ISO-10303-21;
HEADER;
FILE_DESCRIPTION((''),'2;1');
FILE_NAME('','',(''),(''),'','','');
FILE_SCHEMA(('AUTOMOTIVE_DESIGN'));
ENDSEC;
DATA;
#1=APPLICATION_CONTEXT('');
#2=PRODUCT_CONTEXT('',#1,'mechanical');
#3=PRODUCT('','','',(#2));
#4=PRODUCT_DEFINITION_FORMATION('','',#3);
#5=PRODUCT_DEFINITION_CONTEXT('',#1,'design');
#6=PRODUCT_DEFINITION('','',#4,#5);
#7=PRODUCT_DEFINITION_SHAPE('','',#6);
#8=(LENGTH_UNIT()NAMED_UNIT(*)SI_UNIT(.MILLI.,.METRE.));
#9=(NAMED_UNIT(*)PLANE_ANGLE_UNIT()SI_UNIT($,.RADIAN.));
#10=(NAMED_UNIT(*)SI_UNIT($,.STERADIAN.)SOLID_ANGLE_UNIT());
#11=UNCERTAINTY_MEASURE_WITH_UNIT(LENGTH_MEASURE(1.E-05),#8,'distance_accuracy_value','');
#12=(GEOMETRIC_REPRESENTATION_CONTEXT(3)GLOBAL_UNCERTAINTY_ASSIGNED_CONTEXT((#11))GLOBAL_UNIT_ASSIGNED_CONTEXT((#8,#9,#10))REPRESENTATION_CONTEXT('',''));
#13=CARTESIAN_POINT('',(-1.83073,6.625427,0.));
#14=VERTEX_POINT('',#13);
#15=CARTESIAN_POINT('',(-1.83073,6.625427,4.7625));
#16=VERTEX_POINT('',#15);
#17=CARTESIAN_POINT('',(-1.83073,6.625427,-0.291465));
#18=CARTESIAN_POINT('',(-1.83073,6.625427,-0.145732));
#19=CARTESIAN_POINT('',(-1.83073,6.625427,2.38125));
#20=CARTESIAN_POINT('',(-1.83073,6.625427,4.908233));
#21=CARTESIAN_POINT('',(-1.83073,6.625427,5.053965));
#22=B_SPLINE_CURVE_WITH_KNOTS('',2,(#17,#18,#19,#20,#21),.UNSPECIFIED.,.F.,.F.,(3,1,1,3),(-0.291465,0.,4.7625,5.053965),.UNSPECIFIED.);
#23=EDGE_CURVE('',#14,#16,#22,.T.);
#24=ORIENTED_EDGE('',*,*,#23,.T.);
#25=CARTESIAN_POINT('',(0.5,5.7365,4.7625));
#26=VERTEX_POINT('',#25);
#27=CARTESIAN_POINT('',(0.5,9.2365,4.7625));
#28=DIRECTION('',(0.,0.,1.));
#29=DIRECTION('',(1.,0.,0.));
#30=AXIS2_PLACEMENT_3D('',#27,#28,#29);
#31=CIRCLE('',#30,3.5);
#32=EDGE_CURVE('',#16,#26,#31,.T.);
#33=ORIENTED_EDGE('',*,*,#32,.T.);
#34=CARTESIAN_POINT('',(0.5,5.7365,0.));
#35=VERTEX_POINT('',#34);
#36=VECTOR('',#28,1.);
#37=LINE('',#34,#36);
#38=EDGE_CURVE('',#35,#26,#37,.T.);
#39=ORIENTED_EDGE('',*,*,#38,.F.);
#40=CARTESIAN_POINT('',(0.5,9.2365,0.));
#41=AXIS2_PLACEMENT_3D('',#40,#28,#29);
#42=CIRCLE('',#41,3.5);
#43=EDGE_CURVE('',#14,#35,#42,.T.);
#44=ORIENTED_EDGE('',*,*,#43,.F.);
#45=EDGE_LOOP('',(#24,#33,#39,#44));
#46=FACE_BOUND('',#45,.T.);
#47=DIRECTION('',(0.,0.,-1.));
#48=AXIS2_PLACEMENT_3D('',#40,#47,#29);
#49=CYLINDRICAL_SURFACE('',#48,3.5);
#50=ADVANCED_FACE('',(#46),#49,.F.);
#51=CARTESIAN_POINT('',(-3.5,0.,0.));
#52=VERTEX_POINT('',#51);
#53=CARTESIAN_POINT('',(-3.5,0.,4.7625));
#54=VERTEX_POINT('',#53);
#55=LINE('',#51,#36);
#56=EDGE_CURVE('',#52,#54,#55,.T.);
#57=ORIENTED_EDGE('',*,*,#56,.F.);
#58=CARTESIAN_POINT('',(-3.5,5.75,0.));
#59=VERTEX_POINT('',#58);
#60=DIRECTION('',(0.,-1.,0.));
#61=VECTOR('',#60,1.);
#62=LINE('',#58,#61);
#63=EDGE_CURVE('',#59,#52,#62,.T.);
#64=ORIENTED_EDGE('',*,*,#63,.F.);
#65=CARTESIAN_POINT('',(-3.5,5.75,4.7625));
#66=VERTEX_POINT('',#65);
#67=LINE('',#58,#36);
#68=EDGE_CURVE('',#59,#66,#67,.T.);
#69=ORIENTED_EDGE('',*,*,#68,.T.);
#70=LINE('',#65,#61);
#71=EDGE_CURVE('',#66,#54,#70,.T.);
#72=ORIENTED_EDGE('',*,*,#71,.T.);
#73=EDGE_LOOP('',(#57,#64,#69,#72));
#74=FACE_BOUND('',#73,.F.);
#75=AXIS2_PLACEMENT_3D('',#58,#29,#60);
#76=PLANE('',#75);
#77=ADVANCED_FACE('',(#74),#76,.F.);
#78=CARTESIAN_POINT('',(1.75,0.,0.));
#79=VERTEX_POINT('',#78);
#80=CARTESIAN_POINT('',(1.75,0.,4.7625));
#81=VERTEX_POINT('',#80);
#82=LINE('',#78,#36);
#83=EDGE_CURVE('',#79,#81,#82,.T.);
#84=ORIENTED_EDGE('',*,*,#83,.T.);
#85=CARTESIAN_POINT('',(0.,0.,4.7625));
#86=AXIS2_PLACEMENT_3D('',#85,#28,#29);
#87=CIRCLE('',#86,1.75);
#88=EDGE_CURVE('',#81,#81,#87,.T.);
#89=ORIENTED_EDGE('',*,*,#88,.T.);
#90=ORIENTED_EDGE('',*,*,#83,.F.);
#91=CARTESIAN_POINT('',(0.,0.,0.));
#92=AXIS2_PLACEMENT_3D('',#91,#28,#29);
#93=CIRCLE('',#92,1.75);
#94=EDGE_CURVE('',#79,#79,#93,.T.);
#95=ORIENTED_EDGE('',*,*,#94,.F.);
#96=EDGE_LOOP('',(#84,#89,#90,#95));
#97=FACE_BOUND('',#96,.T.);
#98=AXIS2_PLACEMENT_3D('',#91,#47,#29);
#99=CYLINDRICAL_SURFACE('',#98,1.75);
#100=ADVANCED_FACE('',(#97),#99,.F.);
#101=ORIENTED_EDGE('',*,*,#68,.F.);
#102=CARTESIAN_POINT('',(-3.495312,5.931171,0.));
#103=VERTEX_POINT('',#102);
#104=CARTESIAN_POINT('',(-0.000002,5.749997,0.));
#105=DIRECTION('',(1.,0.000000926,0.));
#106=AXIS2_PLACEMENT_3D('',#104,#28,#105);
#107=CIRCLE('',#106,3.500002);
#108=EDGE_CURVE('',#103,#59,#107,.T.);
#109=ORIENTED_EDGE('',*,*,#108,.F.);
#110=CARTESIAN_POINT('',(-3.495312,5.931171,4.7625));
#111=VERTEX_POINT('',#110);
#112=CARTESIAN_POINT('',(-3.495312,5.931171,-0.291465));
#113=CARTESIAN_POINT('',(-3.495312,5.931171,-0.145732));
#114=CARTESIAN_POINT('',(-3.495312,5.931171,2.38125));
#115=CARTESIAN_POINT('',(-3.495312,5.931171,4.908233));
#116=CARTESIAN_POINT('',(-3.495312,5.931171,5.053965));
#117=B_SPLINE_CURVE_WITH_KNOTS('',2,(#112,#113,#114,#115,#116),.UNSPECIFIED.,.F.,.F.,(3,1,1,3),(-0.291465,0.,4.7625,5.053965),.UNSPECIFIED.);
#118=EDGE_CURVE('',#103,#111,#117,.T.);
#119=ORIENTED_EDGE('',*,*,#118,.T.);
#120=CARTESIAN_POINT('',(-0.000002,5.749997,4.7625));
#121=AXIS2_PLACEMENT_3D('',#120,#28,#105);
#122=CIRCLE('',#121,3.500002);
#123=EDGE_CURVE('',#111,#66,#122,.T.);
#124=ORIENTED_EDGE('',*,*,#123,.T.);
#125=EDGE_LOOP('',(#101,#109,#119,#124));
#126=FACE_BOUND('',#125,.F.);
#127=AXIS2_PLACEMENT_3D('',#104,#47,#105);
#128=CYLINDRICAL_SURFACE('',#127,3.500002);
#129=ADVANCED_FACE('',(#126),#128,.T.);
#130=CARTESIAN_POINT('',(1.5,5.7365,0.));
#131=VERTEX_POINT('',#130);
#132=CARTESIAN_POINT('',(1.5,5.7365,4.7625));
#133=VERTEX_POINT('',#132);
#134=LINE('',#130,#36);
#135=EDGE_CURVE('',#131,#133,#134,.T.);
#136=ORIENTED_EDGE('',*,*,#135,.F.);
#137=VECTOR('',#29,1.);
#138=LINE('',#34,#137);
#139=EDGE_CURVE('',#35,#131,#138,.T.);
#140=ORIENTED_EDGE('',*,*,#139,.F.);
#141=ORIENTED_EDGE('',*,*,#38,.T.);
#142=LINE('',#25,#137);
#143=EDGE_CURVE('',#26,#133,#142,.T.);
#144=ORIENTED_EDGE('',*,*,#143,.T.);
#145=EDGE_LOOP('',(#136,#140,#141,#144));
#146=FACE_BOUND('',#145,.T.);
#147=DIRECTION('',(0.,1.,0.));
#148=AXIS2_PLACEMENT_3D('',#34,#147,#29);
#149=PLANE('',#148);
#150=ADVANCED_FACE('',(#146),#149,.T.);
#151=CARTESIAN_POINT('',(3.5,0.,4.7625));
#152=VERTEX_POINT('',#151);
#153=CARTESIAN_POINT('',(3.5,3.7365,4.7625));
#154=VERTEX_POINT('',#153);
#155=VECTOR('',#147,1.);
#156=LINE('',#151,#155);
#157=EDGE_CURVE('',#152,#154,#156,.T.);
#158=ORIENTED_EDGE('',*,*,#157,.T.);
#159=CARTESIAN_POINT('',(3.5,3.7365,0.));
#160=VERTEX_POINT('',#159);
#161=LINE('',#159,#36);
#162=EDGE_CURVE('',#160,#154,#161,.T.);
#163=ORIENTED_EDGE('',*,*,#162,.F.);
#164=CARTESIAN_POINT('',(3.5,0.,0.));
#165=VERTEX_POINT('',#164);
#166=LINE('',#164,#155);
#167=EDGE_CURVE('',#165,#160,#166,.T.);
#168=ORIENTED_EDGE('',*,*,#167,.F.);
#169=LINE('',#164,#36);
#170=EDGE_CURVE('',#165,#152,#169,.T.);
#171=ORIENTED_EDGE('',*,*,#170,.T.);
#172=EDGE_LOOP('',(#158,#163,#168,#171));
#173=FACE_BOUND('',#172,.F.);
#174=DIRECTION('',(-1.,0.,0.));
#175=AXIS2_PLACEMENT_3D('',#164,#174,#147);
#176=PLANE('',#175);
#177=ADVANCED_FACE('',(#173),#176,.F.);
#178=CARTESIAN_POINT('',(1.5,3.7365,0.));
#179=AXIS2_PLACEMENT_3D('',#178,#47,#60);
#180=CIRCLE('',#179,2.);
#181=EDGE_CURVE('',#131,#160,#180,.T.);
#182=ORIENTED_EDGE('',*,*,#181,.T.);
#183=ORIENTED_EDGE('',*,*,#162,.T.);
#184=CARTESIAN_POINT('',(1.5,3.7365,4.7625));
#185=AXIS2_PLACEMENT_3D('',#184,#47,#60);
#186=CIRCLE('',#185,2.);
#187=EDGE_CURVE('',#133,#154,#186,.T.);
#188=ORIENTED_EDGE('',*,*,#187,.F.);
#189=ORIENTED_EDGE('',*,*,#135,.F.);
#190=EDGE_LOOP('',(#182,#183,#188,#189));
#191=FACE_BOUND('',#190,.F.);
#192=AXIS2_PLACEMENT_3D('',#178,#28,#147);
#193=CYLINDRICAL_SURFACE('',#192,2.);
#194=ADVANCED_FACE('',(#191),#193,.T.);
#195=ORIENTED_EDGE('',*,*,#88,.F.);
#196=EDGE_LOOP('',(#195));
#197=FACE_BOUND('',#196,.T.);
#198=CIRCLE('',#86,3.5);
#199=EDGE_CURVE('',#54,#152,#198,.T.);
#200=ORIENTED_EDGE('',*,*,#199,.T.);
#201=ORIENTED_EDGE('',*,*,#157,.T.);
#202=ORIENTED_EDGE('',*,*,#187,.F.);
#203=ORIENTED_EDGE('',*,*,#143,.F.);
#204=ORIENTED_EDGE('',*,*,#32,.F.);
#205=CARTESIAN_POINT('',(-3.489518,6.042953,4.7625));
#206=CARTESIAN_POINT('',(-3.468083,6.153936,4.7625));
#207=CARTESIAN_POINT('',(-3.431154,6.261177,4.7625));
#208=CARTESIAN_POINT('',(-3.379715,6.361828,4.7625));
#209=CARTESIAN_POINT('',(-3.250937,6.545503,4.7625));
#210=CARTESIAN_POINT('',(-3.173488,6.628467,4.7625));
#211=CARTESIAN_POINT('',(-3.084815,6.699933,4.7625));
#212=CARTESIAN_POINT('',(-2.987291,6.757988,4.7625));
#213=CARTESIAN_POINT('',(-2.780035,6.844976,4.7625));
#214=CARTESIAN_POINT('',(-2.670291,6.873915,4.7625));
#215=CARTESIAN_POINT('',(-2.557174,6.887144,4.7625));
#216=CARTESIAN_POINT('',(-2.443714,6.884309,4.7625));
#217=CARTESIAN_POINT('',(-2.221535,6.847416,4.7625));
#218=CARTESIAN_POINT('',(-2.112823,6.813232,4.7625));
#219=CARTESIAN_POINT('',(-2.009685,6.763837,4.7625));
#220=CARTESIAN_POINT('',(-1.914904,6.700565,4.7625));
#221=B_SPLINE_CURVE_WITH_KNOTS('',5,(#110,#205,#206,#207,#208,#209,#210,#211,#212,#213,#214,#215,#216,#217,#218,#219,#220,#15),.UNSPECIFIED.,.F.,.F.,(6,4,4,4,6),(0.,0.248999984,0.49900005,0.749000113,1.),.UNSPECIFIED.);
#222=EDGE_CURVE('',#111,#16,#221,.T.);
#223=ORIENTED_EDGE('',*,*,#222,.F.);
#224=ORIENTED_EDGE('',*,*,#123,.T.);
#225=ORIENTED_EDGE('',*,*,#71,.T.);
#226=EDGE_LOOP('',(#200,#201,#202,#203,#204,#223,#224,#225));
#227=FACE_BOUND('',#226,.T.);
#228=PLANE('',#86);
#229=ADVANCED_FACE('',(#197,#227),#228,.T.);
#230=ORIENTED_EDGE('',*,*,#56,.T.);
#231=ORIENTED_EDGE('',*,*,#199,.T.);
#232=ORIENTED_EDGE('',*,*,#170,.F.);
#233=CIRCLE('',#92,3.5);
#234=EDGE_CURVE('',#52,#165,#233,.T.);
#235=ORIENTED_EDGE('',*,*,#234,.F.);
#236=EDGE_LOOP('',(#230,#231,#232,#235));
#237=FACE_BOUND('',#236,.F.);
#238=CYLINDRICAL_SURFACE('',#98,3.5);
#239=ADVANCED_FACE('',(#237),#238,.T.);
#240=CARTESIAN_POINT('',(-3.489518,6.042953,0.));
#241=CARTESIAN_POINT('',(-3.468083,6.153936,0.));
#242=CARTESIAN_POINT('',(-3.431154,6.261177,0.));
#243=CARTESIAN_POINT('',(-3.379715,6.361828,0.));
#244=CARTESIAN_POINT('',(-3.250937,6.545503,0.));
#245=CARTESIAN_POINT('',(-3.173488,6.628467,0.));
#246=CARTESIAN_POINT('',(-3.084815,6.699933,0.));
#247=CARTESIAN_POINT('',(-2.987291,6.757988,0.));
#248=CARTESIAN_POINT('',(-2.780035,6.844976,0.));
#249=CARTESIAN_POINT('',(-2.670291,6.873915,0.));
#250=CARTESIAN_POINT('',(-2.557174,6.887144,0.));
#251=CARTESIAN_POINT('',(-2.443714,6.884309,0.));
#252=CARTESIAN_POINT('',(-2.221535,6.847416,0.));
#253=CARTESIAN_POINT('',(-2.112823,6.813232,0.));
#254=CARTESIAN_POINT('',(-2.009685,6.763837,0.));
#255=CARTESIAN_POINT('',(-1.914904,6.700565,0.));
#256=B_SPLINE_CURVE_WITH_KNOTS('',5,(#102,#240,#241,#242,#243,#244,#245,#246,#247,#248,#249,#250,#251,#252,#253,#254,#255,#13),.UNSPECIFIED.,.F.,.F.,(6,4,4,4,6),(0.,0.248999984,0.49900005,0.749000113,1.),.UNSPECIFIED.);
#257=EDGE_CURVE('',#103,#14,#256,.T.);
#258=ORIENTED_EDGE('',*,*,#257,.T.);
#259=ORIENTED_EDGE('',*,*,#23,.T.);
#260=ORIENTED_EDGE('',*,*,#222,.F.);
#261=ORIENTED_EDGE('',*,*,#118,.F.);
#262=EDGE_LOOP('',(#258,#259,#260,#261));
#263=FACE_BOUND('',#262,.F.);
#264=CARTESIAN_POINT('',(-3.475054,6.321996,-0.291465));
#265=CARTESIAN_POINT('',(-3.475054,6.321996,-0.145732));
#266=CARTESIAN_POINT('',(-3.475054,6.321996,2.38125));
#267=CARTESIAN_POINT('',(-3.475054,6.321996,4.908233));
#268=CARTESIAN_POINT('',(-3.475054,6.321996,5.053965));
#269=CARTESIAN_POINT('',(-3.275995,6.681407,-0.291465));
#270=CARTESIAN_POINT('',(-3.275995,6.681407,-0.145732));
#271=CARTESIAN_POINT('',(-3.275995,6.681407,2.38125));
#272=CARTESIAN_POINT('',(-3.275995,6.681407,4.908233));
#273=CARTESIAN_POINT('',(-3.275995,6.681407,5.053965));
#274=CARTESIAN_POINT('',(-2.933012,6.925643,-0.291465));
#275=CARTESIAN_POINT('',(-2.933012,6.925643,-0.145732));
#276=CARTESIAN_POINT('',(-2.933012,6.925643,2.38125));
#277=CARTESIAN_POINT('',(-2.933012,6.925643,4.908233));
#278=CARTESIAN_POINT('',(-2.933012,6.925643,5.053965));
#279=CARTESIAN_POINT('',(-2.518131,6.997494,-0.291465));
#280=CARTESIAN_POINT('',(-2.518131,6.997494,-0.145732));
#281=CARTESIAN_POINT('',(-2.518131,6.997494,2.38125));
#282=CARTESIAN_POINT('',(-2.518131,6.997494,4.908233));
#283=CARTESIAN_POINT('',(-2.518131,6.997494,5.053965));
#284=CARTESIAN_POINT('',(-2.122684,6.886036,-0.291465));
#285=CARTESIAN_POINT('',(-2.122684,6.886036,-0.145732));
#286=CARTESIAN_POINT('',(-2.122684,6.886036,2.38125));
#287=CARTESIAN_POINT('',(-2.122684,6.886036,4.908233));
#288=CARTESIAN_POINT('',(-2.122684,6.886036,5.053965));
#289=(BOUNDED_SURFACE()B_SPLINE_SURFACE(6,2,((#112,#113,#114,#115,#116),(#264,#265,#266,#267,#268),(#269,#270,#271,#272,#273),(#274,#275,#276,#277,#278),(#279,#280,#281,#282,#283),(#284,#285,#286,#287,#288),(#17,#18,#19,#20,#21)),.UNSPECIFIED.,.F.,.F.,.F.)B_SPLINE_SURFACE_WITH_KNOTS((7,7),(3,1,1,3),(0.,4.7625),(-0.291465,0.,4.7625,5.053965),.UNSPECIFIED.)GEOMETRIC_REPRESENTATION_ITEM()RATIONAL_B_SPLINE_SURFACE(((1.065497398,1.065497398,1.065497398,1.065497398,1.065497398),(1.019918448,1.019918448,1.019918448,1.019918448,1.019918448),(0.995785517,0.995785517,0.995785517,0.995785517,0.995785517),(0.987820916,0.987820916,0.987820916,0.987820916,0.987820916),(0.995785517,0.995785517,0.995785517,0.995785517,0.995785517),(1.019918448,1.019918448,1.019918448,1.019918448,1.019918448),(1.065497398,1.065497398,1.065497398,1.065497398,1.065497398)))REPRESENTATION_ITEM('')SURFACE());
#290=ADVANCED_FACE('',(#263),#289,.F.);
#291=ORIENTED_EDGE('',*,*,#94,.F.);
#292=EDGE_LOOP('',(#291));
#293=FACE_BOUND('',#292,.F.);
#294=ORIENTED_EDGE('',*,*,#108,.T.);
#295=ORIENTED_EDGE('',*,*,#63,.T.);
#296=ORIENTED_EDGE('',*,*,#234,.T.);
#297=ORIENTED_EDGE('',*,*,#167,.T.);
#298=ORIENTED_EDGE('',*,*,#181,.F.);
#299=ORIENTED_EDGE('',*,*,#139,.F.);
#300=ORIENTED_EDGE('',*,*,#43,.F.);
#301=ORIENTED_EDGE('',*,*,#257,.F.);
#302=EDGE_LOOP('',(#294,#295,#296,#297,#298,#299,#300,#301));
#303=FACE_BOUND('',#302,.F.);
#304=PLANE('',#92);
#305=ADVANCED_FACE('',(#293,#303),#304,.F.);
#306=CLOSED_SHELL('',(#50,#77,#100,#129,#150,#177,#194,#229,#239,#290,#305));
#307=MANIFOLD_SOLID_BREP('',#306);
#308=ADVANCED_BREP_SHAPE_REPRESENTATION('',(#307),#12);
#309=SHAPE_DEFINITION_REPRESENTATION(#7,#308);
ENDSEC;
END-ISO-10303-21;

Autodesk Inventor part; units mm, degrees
ref_plane "YZ Plane" through (0, 0, 0) normal (1, 0, 0) x (0, 1, 0)
ref_plane "XZ Plane" through (0, 0, 0) normal (0, 1, 0) x (-1, 0, 0)
ref_plane "XY Plane" through (0, 0, 0) normal (0, 0, 1) x (1, 0, 0)
sketch "Sketch1" plane through (0, 0, 0) normal (0, 0, 1) x (1, 0, 0)
  circle A0 centre (0, 0) radius 1.75
  circle A1 centre (0, 0) radius 3.5
  circle A2 centre (0, 0) radius 5.75 construction
  line L0 (0, 0) -> (0, 5.75) construction
  circle A3 centre (0.5, 9.2365) radius 3.5
  line L1 (0, 0) -> (0, 5.75) construction
  line L2 (3.5, 0) -> (3.5, 5.75)
  line L3 (-3.5, 5.75) -> (-3.5, 0)
  arc A4 (-3.5, 0) -> (3.5, 0) centre (0, 0) ccw
  arc A5 (3.5, 5.75) -> (-1.9961, 2.875) centre (0, 5.75) ccw
  arc A6 (-3.4062, 0.805) -> (-3.4062, 4.945) centre (-12.1649, 2.875) ccw
  line L4 (0.5, 5.7365) -> (3.5, 5.7365)
  point P0 (0, 2.875)
  point P1 (-3.4345, 6.424)
  point P2 (3.5, 0)
  point P3 (3.244, 7.0639)
  point P4 (-3.5, 0)
  point P5 (-2.744, 7.9226)
  dimension "d2" = 11.5
  dimension "d3" = 7
  dimension "d0" = 3.5
  dimension "d1" = 7
  dimension "d4" = 3.5
  dimension "d9" = 0.5
  dimension "d10" = 9
extrude "Extrusion1" add sketch "Sketch1" along normal blind 4.7625 contours A1 | A1 A5 A3 L4 L2 | A1 A6 A5 | L3 A5 A6 A1
fillet "Fillet1" radius 1 1 edges at (-2.744, 7.9226, 2.3813)
fillet "Fillet2" radius 2 1 edges at (3.5, 5.7365, 2.3813)
sketch "Sketch2" plane through (0, 0, 0) normal (0, 0, -1) x (-1, 0, 0)
  line L0 (-3.5, 0) -> (-3.5, 3.7365) projected
  arc A0 (-3.5, 0) -> (3.5, 0) centre (0, 0) ccw projected
  circle A1 centre (0, 0) radius 1.75 projected
  circle A2 centre (0, 0) radius 6.0263 construction
  arc A3 (3.4953, 5.9311) -> (1.8307, 6.6254) centre (2.4966, 5.8794) ccw projected
  arc A4 (-0.5, 5.7365) -> (1.8307, 6.6254) centre (-0.5, 9.2365) ccw projected
  line L1 (3.5, 5.75) -> (3.5, 0) projected
  line L2 (-1.5, 5.7365) -> (-0.5, 5.7365) projected
  arc A5 (-1.5, 5.7365) -> (-3.5, 3.7365) centre (-1.5, 3.7365) ccw projected
  arc A6 (-1.5, 5.7365) -> (-3.5, 3.7365) centre (-1.5, 3.7365) ccw projected
  arc A7 (3.5, 5.75) -> (3.4953, 5.9311) centre (0, 5.75) ccw projected
equation "\"d4\" = 0.5 * d1"
properties part number "Cam - Lever" material "Nylon 6/6"
